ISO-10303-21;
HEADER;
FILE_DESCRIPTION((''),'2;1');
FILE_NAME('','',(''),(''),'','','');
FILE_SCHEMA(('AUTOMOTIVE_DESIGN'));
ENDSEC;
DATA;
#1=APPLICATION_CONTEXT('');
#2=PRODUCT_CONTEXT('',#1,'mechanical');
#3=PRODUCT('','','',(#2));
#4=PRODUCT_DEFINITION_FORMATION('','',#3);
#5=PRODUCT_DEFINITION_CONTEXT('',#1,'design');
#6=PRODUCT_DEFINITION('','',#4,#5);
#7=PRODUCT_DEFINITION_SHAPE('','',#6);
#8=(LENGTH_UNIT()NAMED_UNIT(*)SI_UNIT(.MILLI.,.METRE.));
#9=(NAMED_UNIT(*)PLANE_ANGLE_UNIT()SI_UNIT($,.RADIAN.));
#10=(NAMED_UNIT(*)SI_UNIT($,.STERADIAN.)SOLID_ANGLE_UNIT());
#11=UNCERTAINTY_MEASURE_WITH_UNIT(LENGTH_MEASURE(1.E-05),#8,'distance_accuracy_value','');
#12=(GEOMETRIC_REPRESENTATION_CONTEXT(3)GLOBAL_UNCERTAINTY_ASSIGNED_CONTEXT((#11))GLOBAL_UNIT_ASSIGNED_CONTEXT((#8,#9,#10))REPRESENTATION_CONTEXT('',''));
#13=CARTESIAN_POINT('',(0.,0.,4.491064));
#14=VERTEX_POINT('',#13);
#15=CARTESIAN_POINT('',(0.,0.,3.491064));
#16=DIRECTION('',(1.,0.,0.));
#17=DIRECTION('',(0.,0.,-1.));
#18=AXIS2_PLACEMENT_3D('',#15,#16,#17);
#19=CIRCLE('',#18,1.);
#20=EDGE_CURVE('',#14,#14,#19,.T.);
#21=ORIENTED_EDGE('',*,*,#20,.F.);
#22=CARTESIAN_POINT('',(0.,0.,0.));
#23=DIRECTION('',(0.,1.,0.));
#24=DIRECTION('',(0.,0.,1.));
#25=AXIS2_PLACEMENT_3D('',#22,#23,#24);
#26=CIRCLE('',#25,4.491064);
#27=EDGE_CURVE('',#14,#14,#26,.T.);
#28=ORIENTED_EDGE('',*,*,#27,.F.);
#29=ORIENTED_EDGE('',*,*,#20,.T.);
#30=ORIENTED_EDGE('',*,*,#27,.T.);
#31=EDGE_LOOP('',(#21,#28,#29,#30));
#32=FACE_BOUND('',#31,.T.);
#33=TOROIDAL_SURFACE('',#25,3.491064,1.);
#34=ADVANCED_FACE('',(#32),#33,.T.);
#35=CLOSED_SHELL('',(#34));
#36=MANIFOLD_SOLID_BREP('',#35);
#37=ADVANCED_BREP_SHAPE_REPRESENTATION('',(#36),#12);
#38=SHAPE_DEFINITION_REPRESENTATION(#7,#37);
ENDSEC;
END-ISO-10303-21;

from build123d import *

# Parameters (mm, degrees)
SKETCH3_R = 1


with BuildPart() as part:
    # Sweep1: sweep along a path in Sketch1
    with BuildLine(Plane(origin=(0, 0, 0), x_dir=(1, 0, 0), z_dir=(0, 1, 0))) as sweep1_path:
        CenterArc((0, 0), 3.5, 0, 360)
    # Sketch3 → Sweep1 (sweep)
    with BuildSketch(Plane(origin=(0, 0, 0), x_dir=(0, 0, -1), z_dir=(1, 0, 0))):
        with Locations((-3.49106419, 0)):
            Circle(SKETCH3_R)
    sweep(path=sweep1_path.line)


solid = part.part
